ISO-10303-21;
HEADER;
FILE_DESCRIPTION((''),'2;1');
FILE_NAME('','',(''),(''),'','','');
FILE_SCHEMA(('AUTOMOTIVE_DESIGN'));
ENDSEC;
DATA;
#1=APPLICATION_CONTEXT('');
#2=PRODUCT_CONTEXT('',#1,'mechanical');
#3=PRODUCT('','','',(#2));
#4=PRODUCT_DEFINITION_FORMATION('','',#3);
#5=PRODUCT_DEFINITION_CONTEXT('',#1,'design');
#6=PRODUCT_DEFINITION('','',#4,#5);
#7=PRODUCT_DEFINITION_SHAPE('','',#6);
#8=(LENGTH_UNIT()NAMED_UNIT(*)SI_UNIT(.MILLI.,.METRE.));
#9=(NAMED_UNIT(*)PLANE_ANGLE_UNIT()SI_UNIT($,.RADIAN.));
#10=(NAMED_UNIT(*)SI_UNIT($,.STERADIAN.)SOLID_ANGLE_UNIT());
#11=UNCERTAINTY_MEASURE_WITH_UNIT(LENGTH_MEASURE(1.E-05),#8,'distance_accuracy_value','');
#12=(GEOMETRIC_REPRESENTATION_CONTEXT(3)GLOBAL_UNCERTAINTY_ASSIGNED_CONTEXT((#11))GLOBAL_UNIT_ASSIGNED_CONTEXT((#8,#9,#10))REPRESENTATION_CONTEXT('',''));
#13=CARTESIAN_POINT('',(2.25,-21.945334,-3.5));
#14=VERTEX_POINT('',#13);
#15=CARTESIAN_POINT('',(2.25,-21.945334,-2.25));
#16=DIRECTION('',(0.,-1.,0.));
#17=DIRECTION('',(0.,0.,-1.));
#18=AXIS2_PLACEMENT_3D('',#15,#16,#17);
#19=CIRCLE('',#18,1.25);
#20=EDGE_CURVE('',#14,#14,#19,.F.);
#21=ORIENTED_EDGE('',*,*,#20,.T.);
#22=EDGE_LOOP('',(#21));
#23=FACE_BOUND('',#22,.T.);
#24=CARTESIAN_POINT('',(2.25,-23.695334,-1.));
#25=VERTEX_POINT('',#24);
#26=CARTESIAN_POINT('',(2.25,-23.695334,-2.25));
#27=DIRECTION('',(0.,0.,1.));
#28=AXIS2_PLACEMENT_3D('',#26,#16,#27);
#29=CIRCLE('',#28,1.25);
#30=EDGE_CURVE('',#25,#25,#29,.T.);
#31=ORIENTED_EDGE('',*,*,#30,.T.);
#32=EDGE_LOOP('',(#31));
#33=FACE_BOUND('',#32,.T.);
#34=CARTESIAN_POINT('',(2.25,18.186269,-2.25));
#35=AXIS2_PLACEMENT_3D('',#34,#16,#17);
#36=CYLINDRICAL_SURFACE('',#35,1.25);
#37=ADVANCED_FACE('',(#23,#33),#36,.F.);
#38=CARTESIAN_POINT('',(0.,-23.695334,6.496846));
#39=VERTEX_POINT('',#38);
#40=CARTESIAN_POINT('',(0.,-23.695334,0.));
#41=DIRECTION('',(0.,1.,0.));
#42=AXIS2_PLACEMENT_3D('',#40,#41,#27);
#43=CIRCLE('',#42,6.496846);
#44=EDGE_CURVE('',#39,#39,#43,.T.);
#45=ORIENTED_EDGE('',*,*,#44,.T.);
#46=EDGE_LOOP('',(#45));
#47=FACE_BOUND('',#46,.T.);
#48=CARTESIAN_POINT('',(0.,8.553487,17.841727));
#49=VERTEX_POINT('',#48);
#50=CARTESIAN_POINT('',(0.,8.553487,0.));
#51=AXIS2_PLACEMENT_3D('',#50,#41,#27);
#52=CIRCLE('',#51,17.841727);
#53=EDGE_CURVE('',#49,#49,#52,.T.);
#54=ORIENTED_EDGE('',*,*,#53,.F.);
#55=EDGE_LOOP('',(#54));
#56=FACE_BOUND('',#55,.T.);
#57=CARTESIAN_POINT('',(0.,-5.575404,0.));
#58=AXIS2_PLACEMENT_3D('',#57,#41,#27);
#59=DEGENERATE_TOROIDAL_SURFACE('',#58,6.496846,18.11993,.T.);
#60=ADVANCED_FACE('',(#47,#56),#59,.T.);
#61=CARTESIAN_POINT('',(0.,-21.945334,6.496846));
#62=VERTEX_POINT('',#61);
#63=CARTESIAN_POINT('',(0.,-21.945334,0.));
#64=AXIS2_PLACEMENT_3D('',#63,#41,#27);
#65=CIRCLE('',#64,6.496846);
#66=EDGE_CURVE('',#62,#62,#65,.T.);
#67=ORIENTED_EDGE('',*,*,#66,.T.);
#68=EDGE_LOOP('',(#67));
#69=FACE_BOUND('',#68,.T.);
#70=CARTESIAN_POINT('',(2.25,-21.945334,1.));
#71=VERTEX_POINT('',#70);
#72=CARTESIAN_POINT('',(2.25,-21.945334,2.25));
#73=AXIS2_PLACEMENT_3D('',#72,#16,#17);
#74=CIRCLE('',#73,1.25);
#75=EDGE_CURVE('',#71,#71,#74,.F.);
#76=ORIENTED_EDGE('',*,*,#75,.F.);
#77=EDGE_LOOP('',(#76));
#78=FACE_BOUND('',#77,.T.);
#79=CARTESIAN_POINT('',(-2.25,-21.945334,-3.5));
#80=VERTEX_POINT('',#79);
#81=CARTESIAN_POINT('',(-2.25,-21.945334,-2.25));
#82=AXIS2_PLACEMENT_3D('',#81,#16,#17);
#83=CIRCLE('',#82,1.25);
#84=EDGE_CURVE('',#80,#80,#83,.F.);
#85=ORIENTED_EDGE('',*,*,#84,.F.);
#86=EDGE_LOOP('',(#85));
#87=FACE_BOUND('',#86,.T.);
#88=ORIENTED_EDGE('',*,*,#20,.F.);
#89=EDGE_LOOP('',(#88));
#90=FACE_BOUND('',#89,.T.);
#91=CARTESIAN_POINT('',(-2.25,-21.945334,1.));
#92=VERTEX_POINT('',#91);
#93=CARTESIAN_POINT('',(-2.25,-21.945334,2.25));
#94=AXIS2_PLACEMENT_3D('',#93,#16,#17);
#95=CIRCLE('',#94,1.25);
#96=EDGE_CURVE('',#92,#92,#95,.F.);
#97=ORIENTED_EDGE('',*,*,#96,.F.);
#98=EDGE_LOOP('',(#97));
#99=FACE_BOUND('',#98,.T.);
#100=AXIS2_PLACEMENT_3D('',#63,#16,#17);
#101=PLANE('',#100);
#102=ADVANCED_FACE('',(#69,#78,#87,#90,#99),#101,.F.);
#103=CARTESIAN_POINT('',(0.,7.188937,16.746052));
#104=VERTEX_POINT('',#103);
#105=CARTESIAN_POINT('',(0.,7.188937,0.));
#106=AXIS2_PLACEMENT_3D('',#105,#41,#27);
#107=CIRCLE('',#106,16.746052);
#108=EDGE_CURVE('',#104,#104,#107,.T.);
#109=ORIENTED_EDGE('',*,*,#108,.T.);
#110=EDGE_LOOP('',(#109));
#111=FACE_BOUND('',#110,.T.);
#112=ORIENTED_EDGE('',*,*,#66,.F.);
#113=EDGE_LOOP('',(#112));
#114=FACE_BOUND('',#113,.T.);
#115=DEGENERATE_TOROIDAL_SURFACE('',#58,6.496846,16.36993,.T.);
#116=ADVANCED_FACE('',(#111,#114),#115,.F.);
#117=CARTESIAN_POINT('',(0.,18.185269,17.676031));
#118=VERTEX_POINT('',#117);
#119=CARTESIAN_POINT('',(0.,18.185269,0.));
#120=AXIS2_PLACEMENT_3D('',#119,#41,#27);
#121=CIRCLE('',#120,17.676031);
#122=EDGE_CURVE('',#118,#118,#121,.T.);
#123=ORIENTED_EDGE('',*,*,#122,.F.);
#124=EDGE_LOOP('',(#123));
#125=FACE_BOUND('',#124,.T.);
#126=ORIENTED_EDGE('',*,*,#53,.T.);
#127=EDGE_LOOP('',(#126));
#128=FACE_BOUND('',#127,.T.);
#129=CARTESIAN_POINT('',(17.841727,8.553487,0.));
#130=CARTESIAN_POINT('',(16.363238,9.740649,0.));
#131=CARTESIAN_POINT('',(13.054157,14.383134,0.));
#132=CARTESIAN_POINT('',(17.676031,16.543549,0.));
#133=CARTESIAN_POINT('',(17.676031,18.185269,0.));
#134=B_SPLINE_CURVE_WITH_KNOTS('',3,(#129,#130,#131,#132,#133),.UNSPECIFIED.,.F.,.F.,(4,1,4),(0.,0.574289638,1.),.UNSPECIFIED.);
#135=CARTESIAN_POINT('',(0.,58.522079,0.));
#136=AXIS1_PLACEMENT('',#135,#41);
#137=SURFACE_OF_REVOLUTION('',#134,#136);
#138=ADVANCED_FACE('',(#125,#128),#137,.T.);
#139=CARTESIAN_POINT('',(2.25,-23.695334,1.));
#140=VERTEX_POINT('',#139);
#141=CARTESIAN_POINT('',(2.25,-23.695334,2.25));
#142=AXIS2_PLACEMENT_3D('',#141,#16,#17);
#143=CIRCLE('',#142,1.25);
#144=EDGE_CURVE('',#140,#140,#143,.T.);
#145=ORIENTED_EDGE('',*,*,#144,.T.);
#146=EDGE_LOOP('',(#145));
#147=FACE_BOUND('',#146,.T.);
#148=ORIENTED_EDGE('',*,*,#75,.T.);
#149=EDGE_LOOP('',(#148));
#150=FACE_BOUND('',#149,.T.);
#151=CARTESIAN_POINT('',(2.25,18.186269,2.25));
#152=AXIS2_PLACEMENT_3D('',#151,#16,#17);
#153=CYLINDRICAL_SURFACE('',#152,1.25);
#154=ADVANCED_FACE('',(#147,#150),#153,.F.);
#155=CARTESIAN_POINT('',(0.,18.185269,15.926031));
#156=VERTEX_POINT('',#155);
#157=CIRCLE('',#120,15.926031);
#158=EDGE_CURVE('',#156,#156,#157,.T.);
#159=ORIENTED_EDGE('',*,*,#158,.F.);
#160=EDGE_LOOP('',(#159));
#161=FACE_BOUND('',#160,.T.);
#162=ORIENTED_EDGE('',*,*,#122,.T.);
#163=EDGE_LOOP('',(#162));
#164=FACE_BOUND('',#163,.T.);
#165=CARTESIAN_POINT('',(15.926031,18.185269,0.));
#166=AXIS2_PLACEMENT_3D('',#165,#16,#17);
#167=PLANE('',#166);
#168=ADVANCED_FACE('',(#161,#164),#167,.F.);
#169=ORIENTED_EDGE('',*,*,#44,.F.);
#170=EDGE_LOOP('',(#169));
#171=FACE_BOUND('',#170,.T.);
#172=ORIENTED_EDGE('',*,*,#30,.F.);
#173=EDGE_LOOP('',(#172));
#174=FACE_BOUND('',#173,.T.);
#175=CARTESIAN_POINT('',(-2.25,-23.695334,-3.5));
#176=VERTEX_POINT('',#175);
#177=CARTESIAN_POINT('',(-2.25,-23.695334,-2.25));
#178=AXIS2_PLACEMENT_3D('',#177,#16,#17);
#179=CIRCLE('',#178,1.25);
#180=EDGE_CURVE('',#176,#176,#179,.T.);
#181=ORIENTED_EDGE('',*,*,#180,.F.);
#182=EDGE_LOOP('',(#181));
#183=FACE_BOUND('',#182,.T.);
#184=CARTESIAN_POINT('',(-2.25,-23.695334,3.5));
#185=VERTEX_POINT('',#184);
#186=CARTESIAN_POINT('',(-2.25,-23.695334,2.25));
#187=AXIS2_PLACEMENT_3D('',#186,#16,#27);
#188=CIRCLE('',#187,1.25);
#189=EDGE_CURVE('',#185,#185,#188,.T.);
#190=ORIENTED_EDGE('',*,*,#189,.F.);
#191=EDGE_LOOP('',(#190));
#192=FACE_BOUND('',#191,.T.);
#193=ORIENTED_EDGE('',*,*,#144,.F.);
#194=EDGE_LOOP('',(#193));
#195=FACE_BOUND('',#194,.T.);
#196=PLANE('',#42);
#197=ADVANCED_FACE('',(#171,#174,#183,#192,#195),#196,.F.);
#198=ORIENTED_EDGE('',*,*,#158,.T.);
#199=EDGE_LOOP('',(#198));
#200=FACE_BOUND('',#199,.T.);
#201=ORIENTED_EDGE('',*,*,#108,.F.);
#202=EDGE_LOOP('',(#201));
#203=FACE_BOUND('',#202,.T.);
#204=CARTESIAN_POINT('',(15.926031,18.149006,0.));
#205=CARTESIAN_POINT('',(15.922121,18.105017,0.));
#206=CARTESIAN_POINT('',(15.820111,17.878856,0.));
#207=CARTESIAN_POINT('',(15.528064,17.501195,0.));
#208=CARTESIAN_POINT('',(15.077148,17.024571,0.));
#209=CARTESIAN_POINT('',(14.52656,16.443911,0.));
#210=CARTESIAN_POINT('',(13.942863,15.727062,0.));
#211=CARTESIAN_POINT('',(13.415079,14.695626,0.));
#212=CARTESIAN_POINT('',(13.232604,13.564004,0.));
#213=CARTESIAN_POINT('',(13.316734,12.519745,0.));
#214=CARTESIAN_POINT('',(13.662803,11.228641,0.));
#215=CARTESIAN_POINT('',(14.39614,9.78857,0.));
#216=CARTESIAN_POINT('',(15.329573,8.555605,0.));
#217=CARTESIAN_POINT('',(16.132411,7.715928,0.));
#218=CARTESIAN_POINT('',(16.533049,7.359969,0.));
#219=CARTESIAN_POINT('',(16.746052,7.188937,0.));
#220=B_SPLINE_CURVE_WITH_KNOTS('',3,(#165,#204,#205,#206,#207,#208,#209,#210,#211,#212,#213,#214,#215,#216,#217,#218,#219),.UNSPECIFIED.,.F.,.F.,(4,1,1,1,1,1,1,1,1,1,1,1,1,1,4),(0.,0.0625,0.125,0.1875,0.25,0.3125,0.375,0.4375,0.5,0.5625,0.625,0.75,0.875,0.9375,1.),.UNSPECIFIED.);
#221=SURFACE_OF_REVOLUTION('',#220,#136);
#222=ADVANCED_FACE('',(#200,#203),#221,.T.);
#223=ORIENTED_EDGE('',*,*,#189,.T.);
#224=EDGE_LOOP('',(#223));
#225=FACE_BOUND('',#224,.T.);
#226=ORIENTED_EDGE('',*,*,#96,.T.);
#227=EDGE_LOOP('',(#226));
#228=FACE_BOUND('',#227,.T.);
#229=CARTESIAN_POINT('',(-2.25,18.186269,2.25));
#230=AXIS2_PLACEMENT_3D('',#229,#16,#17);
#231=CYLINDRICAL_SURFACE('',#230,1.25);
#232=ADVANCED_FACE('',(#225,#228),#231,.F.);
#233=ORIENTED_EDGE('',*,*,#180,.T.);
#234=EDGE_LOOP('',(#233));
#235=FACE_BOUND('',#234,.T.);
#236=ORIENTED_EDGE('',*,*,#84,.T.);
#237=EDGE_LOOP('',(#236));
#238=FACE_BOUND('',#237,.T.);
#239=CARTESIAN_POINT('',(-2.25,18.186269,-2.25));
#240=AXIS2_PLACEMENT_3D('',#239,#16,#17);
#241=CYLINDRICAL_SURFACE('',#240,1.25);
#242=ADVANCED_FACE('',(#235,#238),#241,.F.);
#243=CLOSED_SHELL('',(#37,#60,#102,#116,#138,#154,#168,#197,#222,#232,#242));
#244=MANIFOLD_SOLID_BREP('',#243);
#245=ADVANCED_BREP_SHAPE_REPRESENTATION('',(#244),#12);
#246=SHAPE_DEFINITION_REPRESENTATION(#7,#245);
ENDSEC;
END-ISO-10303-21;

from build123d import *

# Parameters (mm, degrees)
CUT_EXTRUDE1_REACH = 43.881
SKETCH2_R          = 1.25


with BuildPart() as part:
    # Sketch1 → Revolve2 (revolve)
    with BuildSketch(Plane.XY):
        with BuildLine():
            Line((0, -23.695334094), (6.496845792, -23.695334094))
            ThreePointArc((6.496845792, -23.695334094), (23.589920443, -11.588612331), (17.841726544, 8.553487355))
            add(Edge.make_bspline(
                [(17.841726544, 8.553487355), (16.3632375, 9.740649313), (13.054157045, 14.383133743), (17.676030793, 16.543549217), (17.676030793, 18.185269345)],
                knots=[0, 0, 0, 0, 0.574289638, 1, 1, 1, 1], degree=3))
            Line((17.676030793, 18.185269345), (15.926030793, 18.185269345))
            add(Edge.make_bspline(
                [(16.746052288, 7.188936907), (16.53304904, 7.359969188), (16.132410921, 7.715927698), (15.32957285, 8.555605006), (14.396139636, 9.788570246), (13.662803268, 11.228641297), (13.316734428, 12.519745025), (13.232604166, 13.564004203), (13.415078537, 14.695626089), (13.942863241, 15.727062408), (14.526560351, 16.443911071), (15.077148434, 17.024570972), (15.528063865, 17.501195005), (15.820110703, 17.878855972), (15.922120781, 18.105017005), (15.926030793, 18.149005829), (15.926030793, 18.185269345)],
                knots=[0, 0, 0, 0, 0.0625, 0.125, 0.25, 0.375, 0.4375, 0.5, 0.5625, 0.625, 0.6875, 0.75, 0.8125, 0.875, 0.9375, 1, 1, 1, 1], degree=3))
            ThreePointArc((16.746052288, 7.188936907), (21.939092881, -11.007864229), (6.496845792, -21.945334094))
            Line((6.496845792, -21.945334094), (0, -21.945334094))
            Line((0, -21.945334094), (0, -23.695334094))
        make_face()
    revolve(axis=Axis((0, 58.522079392, 0), (0, -1, 0)))

    # Sketch2 → Cut-Extrude1 (cut, up to next)
    with BuildSketch(Plane.XZ.offset(23.695334094), mode=Mode.PRIVATE) as cut_extrude1_sk1:
        with Locations((2.25, 2.25)):
            Circle(SKETCH2_R)
    cut_extrude1_tool1 = extrude(cut_extrude1_sk1.sketch, amount=-CUT_EXTRUDE1_REACH, mode=Mode.PRIVATE) & part.part
    add(cut_extrude1_tool1.solids().sort_by_distance((2.25, -23.695334, 2.25))[0], mode=Mode.SUBTRACT)
    # Sketch2 → Cut-Extrude1 (cut, up to next)
    with BuildSketch(Plane.XZ.offset(23.695334094), mode=Mode.PRIVATE) as cut_extrude1_sk2:
        with Locations((-2.25, 2.25)):
            Circle(SKETCH2_R)
    cut_extrude1_tool2 = extrude(cut_extrude1_sk2.sketch, amount=-CUT_EXTRUDE1_REACH, mode=Mode.PRIVATE) & part.part
    add(cut_extrude1_tool2.solids().sort_by_distance((-2.25, -23.695334, 2.25))[0], mode=Mode.SUBTRACT)
    # Sketch2 → Cut-Extrude1 (cut, up to next)
    with BuildSketch(Plane.XZ.offset(23.695334094), mode=Mode.PRIVATE) as cut_extrude1_sk3:
        with Locations((2.25, -2.25)):
            Circle(SKETCH2_R)
    cut_extrude1_tool3 = extrude(cut_extrude1_sk3.sketch, amount=-CUT_EXTRUDE1_REACH, mode=Mode.PRIVATE) & part.part
    add(cut_extrude1_tool3.solids().sort_by_distance((2.25, -23.695334, -2.25))[0], mode=Mode.SUBTRACT)
    # Sketch2 → Cut-Extrude1 (cut, up to next)
    with BuildSketch(Plane.XZ.offset(23.695334094), mode=Mode.PRIVATE) as cut_extrude1_sk4:
        with Locations((-2.25, -2.25)):
            Circle(SKETCH2_R)
    cut_extrude1_tool4 = extrude(cut_extrude1_sk4.sketch, amount=-CUT_EXTRUDE1_REACH, mode=Mode.PRIVATE) & part.part
    add(cut_extrude1_tool4.solids().sort_by_distance((-2.25, -23.695334, -2.25))[0], mode=Mode.SUBTRACT)


solid = part.part
